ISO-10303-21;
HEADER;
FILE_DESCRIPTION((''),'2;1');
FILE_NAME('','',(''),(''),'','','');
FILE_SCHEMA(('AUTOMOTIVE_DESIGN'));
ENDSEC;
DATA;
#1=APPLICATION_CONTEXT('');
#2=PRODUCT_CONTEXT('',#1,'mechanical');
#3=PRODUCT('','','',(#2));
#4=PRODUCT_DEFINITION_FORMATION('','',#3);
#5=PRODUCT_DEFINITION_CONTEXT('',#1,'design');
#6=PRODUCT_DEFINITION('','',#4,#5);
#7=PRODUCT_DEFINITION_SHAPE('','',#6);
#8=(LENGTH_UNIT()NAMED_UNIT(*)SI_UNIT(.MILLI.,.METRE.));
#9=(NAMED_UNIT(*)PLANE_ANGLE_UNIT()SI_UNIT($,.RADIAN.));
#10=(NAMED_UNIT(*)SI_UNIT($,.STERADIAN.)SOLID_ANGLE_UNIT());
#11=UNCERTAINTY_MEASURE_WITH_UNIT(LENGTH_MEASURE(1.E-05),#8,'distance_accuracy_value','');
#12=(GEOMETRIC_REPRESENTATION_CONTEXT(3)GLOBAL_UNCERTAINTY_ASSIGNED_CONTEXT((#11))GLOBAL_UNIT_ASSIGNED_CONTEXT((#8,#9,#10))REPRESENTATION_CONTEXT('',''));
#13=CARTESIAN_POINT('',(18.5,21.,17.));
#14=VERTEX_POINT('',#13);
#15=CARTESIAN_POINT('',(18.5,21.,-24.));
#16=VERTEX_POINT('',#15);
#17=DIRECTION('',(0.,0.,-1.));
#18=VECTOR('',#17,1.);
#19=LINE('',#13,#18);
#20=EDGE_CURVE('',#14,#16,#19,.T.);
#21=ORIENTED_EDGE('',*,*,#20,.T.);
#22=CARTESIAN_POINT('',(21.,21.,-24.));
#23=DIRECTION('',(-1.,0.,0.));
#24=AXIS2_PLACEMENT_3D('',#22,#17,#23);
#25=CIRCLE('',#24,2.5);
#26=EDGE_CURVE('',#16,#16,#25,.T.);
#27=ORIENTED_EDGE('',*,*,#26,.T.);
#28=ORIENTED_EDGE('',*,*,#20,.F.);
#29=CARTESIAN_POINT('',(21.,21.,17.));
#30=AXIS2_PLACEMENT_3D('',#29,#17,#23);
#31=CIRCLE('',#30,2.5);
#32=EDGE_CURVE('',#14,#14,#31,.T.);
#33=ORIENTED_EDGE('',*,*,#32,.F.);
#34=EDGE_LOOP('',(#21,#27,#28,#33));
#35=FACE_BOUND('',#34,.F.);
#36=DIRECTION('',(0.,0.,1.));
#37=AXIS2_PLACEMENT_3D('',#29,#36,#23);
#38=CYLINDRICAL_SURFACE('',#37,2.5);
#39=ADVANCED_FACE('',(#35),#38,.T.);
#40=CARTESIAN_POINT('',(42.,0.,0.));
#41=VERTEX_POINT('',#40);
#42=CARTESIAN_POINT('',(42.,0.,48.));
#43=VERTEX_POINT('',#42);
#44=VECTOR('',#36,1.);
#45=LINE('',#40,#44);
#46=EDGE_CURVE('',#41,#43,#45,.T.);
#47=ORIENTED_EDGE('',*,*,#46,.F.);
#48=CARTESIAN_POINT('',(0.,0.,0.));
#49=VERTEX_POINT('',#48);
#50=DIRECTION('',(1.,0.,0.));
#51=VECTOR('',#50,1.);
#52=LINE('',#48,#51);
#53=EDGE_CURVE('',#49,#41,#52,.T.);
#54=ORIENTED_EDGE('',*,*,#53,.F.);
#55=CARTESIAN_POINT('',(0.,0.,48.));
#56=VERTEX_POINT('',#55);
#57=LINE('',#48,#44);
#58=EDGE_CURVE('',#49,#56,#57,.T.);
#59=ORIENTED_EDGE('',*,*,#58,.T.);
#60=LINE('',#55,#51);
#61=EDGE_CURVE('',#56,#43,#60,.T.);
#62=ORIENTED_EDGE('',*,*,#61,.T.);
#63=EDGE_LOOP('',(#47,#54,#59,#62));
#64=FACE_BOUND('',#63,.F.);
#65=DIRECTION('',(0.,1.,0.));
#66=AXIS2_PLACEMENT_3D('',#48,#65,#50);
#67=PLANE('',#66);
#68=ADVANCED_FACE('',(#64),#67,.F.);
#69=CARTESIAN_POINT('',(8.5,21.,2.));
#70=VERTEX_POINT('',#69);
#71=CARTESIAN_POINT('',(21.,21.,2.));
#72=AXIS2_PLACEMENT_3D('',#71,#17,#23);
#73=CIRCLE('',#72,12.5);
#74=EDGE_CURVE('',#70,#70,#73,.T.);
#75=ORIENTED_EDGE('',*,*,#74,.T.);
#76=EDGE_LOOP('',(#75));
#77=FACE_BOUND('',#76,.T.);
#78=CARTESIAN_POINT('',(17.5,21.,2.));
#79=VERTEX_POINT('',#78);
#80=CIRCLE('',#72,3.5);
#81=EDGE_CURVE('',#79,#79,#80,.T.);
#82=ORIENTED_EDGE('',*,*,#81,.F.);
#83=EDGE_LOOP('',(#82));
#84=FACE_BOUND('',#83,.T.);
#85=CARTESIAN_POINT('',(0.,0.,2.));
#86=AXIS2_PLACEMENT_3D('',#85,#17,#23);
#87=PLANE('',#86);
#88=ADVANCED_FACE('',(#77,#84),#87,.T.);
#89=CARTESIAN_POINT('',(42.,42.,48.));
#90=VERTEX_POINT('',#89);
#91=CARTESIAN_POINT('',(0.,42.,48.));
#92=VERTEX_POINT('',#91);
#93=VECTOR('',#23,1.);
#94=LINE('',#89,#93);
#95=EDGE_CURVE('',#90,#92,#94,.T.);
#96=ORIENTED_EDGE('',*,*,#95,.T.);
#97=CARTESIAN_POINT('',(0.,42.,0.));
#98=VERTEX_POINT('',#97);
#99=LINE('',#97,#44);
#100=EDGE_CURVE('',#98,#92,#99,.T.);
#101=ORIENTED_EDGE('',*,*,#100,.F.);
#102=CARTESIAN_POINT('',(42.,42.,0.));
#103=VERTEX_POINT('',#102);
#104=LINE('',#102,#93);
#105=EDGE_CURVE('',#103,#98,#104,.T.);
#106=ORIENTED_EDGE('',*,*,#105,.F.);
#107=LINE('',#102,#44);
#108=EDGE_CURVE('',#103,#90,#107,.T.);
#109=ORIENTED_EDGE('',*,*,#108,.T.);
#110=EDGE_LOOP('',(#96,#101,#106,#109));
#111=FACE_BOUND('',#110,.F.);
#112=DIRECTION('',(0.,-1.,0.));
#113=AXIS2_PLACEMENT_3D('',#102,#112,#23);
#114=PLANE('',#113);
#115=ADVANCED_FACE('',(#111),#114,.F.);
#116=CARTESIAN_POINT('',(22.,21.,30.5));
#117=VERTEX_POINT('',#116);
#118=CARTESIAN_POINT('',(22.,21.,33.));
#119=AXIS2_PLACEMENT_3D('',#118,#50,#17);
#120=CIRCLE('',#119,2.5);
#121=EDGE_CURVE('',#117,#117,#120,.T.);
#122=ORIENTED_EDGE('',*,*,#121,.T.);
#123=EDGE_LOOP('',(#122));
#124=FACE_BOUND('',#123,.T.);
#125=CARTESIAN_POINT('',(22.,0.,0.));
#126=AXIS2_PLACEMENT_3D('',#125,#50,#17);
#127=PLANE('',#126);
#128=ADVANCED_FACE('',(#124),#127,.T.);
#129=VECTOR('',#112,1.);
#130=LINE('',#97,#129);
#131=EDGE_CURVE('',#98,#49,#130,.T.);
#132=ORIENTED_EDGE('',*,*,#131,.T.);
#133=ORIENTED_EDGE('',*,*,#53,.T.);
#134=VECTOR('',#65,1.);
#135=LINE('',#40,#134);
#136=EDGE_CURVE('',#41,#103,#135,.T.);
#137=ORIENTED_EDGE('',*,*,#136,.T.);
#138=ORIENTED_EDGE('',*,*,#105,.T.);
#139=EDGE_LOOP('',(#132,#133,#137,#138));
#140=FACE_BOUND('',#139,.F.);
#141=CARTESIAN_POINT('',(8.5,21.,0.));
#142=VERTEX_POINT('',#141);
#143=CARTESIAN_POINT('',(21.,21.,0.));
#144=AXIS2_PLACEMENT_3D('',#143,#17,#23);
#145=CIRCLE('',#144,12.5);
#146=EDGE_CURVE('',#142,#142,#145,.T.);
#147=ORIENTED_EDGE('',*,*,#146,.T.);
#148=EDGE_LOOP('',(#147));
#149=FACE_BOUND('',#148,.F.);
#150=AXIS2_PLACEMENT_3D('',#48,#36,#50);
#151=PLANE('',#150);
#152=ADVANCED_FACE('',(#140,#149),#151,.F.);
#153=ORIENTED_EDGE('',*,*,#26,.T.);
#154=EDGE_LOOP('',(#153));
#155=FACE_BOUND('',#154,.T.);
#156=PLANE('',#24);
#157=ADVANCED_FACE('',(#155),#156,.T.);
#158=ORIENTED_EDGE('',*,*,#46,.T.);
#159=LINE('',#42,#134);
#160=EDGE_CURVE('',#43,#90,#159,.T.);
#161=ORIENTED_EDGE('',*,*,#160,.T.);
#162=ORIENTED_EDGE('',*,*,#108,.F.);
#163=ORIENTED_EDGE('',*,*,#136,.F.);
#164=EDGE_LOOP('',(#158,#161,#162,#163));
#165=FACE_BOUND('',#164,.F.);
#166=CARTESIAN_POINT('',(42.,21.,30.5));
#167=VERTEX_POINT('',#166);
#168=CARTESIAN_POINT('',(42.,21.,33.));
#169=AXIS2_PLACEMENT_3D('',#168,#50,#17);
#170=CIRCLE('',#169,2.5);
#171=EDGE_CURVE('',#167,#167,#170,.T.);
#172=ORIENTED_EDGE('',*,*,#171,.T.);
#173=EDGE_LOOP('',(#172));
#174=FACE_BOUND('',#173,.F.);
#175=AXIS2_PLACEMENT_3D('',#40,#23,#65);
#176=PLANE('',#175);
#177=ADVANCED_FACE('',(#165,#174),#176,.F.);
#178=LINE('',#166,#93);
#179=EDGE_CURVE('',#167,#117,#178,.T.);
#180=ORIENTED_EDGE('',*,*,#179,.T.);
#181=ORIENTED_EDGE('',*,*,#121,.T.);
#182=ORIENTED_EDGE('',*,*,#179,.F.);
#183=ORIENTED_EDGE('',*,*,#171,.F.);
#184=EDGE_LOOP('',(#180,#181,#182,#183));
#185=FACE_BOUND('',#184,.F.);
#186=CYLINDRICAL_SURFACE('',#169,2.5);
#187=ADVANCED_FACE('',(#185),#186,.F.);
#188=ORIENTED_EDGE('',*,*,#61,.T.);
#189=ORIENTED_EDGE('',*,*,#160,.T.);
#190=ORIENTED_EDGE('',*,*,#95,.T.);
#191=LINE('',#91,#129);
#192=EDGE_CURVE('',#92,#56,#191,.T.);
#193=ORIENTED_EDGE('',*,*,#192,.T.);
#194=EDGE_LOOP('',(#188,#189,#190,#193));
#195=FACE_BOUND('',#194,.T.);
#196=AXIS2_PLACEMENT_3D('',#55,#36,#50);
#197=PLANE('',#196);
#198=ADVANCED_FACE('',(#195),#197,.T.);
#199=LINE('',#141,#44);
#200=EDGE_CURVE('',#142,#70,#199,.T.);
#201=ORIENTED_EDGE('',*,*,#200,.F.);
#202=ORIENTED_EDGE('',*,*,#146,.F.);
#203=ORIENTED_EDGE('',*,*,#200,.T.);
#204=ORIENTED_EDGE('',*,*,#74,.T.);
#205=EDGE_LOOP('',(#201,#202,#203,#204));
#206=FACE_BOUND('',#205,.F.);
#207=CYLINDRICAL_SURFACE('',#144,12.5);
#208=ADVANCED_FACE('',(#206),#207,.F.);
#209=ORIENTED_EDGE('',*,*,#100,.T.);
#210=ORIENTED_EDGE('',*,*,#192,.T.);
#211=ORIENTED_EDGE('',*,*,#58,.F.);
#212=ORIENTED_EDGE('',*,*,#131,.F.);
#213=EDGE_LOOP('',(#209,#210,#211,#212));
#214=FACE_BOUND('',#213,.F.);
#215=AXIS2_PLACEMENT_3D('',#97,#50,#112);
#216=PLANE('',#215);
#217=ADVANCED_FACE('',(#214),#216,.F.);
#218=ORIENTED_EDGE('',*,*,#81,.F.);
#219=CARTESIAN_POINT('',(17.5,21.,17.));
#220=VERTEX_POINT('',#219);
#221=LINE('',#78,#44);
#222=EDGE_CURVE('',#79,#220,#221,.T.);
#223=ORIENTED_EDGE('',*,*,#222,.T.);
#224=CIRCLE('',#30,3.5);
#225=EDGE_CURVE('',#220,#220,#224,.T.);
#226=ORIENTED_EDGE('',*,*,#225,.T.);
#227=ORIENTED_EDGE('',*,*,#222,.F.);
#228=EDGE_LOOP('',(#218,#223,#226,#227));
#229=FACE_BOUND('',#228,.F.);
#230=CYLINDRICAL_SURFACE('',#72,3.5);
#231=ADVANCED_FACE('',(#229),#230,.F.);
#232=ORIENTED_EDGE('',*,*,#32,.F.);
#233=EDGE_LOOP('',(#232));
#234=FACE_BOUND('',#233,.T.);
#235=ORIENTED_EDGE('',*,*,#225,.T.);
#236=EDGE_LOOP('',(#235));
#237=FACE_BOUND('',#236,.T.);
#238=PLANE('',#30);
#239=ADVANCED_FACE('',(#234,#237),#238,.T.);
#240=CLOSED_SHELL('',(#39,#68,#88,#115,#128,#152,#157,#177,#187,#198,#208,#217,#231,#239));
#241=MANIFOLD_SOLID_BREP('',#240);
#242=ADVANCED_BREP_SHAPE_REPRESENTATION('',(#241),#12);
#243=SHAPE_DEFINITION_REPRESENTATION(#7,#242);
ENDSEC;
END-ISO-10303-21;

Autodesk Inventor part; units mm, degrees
ref_plane "YZ Plane" through (0, 0, 0) normal (1, 0, 0) x (0, 1, 0)
ref_plane "XZ Plane" through (0, 0, 0) normal (0, 1, 0) x (-1, 0, 0)
ref_plane "XY Plane" through (0, 0, 0) normal (0, 0, 1) x (1, 0, 0)
sketch "Esquisse1" plane through (0, 0, 0) normal (0, 0, 1) x (1, 0, 0)
  line L0 (0, 0) -> (42, 0)
  line L1 (42, 0) -> (42, 42)
  line L2 (42, 42) -> (0, 42)
  line L3 (0, 42) -> (0, 0)
  dimension "d0" = 42
  dimension "d1" = 42
extrude "Extrusion1" add sketch "Esquisse1" along normal blind 48
sketch "Esquisse2" plane through (0, 0, 0) normal (0, 0, -1) x (-1, 0, 0)
  line L0 (0, 42) -> (0, 0) projected
  line L1 (0, 0) -> (-42, 0) projected
  circle A0 centre (-21, 21) radius 12.5
  dimension "d4" = 21
  dimension "d5" = 21
  dimension "d6" = 25
extrude "Extrusion2" cut sketch "Esquisse2" against normal blind 2
sketch "Esquisse5" plane through (21, 21, 2) normal (0, 0, -1) x (-1, 0, 0)
  circle A0 centre (0, 0) radius 12.5 projected
  circle A1 centre (0, 0) radius 3.5
  point P0 (21, -21)
  dimension "d18" = 7
extrude "Extrusion5" cut sketch "Esquisse5" against normal blind 15 contours A1
sketch "Esquisse6" plane through (21, 21, 17) normal (0, 0, -1) x (-1, 0, 0)
  circle A0 centre (0, 0) radius 3.5 projected
  circle A1 centre (0, 0) radius 2.5
  point P0 (21, -21)
  dimension "d21" = 5
extrude "Extrusion6" add sketch "Esquisse6" along normal blind 41 contours A1
sketch "Esquisse7" plane through (42, 0, 0) normal (1, 0, 0) x (0, 0, -1)
  line L0 (0, 0) -> (-48, 0) projected
  line L1 (-48, 0) -> (-48, 42) projected
  circle A0 centre (-33, 21) radius 2.5
  line L2 (-15.5634, 24.7779) -> (-36.4192, 24.7779) construction
  line L3 (-36.4192, 24.7779) -> (-36.4192, 35.8396) construction
  line L4 (-36.4192, 35.8396) -> (-15.5634, 35.8396) construction
  line L5 (-15.5634, 35.8396) -> (-15.5634, 24.7779) construction
  dimension "d24" = 21
  dimension "d25" = 15
  dimension "d26" = 5
extrude "Extrusion7" cut sketch "Esquisse7" against normal blind 20
sketch "Esquisse8" plane through (42, 0, 0) normal (1, 0, 0) x (0, 0, -1)
  line L0 (-18.5513, 11.8106) -> (-48.2794, 11.8106) construction
  line L1 (-48.2794, 11.8106) -> (-48.2794, 27.9421) construction
  line L2 (-48.2794, 27.9421) -> (-18.5513, 27.9421) construction
  line L3 (-18.5513, 27.9421) -> (-18.5513, 11.8106) construction
  point P0 (0, 0)
properties part number "moteur 17HS19-2004S1"
